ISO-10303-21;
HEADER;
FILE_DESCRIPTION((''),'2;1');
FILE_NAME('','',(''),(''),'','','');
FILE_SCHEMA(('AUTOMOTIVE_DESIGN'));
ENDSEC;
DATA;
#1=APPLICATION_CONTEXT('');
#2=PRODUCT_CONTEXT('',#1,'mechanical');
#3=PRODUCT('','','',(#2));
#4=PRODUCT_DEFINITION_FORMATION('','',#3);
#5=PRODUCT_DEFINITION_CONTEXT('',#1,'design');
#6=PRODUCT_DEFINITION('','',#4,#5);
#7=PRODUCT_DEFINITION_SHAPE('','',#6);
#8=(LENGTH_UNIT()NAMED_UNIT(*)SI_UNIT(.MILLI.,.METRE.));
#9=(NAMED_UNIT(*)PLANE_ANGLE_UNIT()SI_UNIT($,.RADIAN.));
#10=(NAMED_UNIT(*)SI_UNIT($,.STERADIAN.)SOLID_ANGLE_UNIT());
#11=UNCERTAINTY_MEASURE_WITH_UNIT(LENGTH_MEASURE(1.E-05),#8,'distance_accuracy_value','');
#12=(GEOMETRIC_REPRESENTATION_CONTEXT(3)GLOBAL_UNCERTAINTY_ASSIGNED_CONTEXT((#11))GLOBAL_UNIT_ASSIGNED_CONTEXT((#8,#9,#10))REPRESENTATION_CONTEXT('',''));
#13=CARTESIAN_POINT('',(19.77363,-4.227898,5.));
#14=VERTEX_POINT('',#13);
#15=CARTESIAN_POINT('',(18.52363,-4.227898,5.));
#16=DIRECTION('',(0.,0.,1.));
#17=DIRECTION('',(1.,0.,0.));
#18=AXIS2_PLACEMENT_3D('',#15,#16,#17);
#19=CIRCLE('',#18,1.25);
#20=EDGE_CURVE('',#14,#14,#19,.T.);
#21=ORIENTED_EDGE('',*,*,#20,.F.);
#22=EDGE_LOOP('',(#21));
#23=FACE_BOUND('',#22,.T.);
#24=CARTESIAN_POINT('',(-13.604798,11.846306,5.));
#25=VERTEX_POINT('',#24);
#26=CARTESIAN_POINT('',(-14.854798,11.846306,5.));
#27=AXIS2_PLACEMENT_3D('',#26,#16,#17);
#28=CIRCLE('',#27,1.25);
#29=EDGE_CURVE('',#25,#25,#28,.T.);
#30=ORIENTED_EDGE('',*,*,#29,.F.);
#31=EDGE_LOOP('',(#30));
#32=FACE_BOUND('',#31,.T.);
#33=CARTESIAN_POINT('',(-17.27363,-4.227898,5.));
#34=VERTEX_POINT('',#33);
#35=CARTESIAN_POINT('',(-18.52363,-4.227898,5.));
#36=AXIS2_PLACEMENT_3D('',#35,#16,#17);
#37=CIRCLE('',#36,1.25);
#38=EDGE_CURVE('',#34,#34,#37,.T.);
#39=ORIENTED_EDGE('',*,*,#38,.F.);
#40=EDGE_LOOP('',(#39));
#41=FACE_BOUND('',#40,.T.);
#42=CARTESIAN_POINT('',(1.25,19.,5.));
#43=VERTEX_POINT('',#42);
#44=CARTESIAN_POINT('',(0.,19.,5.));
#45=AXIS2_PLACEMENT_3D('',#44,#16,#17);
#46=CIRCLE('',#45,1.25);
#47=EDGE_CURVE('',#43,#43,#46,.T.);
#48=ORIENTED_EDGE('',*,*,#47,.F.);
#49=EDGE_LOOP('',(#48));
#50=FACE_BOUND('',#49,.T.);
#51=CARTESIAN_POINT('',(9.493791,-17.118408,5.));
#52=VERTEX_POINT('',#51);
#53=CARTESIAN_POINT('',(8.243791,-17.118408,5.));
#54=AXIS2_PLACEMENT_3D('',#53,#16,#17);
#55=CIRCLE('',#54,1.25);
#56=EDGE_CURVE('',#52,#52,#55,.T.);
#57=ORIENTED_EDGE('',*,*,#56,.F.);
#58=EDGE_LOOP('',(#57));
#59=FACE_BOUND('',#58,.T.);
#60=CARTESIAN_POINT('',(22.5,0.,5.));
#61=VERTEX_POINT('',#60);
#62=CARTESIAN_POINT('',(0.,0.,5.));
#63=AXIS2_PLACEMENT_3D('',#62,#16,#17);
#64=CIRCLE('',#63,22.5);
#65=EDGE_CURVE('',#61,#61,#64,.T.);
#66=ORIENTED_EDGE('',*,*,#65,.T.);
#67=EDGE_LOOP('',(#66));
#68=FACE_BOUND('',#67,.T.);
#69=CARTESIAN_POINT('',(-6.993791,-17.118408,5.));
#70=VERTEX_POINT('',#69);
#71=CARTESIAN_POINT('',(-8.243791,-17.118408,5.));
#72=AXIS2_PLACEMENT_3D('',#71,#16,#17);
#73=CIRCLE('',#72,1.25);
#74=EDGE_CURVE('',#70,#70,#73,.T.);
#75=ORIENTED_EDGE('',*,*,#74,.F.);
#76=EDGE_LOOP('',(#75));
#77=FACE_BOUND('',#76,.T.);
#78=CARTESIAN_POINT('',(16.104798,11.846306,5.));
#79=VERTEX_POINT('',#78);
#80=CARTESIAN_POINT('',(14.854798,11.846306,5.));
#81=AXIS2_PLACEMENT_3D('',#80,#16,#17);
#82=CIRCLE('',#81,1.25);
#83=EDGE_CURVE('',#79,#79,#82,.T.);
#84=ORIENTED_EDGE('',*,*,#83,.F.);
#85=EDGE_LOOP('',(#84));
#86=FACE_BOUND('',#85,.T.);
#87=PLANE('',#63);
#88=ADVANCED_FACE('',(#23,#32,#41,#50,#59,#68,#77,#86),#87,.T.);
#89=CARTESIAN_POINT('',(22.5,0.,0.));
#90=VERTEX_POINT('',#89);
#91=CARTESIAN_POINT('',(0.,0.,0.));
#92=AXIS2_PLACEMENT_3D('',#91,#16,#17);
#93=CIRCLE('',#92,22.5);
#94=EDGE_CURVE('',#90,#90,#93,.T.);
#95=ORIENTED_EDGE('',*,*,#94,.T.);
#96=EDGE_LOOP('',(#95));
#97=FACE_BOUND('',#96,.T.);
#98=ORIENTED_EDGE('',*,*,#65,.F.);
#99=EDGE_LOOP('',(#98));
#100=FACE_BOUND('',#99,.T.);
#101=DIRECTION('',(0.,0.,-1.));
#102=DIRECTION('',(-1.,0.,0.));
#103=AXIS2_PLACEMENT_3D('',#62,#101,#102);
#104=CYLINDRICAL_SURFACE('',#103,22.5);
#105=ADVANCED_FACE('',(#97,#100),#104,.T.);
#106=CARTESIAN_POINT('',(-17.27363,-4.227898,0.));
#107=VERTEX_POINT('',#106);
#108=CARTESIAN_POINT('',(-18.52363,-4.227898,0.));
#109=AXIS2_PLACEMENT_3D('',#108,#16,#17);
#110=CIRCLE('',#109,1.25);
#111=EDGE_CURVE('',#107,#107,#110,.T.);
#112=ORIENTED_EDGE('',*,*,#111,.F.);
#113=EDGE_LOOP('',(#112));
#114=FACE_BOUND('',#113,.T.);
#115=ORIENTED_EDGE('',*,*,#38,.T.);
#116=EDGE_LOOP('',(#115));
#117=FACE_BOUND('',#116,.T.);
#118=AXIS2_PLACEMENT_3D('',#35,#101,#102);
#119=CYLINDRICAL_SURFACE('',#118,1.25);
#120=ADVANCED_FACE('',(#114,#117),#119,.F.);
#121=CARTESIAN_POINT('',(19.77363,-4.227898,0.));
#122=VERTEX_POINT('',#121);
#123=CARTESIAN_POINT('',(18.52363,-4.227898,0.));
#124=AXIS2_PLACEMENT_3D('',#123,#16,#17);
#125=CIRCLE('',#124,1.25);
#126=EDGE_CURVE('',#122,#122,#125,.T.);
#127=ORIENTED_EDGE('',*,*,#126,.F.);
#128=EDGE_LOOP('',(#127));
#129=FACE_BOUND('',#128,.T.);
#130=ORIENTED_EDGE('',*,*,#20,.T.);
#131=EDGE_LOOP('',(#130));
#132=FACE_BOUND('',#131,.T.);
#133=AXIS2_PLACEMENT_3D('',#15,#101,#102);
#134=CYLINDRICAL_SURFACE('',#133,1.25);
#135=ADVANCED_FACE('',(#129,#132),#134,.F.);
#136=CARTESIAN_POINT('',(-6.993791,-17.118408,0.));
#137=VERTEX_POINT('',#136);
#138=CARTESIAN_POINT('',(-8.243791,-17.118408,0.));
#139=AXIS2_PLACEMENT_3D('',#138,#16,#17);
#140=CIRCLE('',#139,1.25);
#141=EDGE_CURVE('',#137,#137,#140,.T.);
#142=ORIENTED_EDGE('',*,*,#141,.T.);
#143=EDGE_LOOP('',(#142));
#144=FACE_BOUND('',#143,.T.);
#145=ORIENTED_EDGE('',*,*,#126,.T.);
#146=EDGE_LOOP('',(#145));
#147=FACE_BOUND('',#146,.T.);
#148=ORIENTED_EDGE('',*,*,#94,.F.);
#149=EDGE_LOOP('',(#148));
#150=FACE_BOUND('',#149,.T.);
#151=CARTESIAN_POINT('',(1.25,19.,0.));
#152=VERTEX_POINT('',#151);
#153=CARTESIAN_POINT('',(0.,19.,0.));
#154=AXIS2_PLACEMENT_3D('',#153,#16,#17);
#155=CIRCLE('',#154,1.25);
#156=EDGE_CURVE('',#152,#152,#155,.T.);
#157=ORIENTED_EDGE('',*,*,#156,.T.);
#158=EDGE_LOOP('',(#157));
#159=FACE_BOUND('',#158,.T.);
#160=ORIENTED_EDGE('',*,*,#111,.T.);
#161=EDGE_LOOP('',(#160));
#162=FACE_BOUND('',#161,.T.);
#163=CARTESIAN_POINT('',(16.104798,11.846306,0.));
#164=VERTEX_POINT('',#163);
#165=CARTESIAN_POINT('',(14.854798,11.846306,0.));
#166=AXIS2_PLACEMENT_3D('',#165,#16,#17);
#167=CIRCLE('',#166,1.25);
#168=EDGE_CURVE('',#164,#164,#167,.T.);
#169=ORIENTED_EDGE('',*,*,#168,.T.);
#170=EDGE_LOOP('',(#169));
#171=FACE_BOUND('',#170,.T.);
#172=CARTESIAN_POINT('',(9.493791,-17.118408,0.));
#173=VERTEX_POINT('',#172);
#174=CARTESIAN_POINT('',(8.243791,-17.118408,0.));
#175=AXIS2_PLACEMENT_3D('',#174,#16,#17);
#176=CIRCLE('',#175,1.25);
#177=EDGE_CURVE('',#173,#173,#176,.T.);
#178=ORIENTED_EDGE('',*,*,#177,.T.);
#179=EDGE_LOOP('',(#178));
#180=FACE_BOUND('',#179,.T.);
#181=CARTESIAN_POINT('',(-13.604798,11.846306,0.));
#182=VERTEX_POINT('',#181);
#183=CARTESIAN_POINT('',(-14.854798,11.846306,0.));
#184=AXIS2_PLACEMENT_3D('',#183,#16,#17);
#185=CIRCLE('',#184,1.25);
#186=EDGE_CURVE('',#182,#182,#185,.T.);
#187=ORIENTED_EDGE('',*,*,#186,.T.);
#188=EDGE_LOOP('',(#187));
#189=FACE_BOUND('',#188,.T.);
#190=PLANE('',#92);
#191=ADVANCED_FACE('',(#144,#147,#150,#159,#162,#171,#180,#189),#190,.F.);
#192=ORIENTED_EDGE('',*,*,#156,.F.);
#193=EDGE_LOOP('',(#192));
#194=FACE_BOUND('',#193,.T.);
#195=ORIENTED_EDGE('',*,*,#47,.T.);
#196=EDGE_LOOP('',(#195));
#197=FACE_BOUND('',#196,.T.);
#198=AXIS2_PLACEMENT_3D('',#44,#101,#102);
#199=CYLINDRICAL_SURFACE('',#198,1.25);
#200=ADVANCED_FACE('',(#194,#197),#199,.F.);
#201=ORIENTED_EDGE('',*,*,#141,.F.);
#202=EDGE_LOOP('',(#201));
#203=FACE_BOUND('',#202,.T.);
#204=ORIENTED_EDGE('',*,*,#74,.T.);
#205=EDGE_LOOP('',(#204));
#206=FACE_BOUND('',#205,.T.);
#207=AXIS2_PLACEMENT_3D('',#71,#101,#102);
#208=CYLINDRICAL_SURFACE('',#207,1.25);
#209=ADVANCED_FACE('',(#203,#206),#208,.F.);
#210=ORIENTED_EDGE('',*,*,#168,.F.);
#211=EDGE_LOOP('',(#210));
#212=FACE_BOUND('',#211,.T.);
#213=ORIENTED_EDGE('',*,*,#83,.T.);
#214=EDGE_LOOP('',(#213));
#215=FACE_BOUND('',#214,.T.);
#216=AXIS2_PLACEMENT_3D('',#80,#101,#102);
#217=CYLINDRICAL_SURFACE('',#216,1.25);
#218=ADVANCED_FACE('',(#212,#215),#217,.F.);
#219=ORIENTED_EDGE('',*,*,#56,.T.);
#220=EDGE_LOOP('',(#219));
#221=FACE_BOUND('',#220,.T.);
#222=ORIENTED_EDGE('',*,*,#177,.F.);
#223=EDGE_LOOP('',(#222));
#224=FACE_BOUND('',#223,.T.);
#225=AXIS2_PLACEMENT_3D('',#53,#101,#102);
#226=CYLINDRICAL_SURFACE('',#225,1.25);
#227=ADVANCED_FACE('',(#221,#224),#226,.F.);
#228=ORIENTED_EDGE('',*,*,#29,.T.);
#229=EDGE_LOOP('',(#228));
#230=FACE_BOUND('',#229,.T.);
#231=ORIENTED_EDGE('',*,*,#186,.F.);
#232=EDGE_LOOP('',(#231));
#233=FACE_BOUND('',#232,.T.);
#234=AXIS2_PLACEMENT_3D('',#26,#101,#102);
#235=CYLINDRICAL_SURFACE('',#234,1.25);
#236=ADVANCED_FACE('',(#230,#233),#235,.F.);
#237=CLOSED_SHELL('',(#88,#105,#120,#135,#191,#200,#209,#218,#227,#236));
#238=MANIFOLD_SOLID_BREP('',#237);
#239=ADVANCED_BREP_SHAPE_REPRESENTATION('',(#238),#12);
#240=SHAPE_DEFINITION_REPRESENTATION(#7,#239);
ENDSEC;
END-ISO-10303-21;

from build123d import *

# Parameters (mm, degrees)
SKETCH1_R           = 22.5
SKETCH1_R_2         = 1.25
BOSS_EXTRUDE1_DEPTH = 5


with BuildPart() as part:
    # Sketch1 → Boss-Extrude1 (new body)
    with BuildSketch(Plane.XY):
        Circle(SKETCH1_R)
        with Locations((0, 19)):
            Circle(SKETCH1_R_2, mode=Mode.SUBTRACT)
        with Locations((14.854798167, 11.846306235)):
            Circle(SKETCH1_R_2, mode=Mode.SUBTRACT)
        with Locations((18.523630331, -4.227897745)):
            Circle(SKETCH1_R_2, mode=Mode.SUBTRACT)
        with Locations((8.243791043, -17.11840849)):
            Circle(SKETCH1_R_2, mode=Mode.SUBTRACT)
        with Locations((-8.243791043, -17.11840849)):
            Circle(SKETCH1_R_2, mode=Mode.SUBTRACT)
        with Locations((-18.523630331, -4.227897745)):
            Circle(SKETCH1_R_2, mode=Mode.SUBTRACT)
        with Locations((-14.854798167, 11.846306235)):
            Circle(SKETCH1_R_2, mode=Mode.SUBTRACT)
    extrude(amount=BOSS_EXTRUDE1_DEPTH)


solid = part.part
